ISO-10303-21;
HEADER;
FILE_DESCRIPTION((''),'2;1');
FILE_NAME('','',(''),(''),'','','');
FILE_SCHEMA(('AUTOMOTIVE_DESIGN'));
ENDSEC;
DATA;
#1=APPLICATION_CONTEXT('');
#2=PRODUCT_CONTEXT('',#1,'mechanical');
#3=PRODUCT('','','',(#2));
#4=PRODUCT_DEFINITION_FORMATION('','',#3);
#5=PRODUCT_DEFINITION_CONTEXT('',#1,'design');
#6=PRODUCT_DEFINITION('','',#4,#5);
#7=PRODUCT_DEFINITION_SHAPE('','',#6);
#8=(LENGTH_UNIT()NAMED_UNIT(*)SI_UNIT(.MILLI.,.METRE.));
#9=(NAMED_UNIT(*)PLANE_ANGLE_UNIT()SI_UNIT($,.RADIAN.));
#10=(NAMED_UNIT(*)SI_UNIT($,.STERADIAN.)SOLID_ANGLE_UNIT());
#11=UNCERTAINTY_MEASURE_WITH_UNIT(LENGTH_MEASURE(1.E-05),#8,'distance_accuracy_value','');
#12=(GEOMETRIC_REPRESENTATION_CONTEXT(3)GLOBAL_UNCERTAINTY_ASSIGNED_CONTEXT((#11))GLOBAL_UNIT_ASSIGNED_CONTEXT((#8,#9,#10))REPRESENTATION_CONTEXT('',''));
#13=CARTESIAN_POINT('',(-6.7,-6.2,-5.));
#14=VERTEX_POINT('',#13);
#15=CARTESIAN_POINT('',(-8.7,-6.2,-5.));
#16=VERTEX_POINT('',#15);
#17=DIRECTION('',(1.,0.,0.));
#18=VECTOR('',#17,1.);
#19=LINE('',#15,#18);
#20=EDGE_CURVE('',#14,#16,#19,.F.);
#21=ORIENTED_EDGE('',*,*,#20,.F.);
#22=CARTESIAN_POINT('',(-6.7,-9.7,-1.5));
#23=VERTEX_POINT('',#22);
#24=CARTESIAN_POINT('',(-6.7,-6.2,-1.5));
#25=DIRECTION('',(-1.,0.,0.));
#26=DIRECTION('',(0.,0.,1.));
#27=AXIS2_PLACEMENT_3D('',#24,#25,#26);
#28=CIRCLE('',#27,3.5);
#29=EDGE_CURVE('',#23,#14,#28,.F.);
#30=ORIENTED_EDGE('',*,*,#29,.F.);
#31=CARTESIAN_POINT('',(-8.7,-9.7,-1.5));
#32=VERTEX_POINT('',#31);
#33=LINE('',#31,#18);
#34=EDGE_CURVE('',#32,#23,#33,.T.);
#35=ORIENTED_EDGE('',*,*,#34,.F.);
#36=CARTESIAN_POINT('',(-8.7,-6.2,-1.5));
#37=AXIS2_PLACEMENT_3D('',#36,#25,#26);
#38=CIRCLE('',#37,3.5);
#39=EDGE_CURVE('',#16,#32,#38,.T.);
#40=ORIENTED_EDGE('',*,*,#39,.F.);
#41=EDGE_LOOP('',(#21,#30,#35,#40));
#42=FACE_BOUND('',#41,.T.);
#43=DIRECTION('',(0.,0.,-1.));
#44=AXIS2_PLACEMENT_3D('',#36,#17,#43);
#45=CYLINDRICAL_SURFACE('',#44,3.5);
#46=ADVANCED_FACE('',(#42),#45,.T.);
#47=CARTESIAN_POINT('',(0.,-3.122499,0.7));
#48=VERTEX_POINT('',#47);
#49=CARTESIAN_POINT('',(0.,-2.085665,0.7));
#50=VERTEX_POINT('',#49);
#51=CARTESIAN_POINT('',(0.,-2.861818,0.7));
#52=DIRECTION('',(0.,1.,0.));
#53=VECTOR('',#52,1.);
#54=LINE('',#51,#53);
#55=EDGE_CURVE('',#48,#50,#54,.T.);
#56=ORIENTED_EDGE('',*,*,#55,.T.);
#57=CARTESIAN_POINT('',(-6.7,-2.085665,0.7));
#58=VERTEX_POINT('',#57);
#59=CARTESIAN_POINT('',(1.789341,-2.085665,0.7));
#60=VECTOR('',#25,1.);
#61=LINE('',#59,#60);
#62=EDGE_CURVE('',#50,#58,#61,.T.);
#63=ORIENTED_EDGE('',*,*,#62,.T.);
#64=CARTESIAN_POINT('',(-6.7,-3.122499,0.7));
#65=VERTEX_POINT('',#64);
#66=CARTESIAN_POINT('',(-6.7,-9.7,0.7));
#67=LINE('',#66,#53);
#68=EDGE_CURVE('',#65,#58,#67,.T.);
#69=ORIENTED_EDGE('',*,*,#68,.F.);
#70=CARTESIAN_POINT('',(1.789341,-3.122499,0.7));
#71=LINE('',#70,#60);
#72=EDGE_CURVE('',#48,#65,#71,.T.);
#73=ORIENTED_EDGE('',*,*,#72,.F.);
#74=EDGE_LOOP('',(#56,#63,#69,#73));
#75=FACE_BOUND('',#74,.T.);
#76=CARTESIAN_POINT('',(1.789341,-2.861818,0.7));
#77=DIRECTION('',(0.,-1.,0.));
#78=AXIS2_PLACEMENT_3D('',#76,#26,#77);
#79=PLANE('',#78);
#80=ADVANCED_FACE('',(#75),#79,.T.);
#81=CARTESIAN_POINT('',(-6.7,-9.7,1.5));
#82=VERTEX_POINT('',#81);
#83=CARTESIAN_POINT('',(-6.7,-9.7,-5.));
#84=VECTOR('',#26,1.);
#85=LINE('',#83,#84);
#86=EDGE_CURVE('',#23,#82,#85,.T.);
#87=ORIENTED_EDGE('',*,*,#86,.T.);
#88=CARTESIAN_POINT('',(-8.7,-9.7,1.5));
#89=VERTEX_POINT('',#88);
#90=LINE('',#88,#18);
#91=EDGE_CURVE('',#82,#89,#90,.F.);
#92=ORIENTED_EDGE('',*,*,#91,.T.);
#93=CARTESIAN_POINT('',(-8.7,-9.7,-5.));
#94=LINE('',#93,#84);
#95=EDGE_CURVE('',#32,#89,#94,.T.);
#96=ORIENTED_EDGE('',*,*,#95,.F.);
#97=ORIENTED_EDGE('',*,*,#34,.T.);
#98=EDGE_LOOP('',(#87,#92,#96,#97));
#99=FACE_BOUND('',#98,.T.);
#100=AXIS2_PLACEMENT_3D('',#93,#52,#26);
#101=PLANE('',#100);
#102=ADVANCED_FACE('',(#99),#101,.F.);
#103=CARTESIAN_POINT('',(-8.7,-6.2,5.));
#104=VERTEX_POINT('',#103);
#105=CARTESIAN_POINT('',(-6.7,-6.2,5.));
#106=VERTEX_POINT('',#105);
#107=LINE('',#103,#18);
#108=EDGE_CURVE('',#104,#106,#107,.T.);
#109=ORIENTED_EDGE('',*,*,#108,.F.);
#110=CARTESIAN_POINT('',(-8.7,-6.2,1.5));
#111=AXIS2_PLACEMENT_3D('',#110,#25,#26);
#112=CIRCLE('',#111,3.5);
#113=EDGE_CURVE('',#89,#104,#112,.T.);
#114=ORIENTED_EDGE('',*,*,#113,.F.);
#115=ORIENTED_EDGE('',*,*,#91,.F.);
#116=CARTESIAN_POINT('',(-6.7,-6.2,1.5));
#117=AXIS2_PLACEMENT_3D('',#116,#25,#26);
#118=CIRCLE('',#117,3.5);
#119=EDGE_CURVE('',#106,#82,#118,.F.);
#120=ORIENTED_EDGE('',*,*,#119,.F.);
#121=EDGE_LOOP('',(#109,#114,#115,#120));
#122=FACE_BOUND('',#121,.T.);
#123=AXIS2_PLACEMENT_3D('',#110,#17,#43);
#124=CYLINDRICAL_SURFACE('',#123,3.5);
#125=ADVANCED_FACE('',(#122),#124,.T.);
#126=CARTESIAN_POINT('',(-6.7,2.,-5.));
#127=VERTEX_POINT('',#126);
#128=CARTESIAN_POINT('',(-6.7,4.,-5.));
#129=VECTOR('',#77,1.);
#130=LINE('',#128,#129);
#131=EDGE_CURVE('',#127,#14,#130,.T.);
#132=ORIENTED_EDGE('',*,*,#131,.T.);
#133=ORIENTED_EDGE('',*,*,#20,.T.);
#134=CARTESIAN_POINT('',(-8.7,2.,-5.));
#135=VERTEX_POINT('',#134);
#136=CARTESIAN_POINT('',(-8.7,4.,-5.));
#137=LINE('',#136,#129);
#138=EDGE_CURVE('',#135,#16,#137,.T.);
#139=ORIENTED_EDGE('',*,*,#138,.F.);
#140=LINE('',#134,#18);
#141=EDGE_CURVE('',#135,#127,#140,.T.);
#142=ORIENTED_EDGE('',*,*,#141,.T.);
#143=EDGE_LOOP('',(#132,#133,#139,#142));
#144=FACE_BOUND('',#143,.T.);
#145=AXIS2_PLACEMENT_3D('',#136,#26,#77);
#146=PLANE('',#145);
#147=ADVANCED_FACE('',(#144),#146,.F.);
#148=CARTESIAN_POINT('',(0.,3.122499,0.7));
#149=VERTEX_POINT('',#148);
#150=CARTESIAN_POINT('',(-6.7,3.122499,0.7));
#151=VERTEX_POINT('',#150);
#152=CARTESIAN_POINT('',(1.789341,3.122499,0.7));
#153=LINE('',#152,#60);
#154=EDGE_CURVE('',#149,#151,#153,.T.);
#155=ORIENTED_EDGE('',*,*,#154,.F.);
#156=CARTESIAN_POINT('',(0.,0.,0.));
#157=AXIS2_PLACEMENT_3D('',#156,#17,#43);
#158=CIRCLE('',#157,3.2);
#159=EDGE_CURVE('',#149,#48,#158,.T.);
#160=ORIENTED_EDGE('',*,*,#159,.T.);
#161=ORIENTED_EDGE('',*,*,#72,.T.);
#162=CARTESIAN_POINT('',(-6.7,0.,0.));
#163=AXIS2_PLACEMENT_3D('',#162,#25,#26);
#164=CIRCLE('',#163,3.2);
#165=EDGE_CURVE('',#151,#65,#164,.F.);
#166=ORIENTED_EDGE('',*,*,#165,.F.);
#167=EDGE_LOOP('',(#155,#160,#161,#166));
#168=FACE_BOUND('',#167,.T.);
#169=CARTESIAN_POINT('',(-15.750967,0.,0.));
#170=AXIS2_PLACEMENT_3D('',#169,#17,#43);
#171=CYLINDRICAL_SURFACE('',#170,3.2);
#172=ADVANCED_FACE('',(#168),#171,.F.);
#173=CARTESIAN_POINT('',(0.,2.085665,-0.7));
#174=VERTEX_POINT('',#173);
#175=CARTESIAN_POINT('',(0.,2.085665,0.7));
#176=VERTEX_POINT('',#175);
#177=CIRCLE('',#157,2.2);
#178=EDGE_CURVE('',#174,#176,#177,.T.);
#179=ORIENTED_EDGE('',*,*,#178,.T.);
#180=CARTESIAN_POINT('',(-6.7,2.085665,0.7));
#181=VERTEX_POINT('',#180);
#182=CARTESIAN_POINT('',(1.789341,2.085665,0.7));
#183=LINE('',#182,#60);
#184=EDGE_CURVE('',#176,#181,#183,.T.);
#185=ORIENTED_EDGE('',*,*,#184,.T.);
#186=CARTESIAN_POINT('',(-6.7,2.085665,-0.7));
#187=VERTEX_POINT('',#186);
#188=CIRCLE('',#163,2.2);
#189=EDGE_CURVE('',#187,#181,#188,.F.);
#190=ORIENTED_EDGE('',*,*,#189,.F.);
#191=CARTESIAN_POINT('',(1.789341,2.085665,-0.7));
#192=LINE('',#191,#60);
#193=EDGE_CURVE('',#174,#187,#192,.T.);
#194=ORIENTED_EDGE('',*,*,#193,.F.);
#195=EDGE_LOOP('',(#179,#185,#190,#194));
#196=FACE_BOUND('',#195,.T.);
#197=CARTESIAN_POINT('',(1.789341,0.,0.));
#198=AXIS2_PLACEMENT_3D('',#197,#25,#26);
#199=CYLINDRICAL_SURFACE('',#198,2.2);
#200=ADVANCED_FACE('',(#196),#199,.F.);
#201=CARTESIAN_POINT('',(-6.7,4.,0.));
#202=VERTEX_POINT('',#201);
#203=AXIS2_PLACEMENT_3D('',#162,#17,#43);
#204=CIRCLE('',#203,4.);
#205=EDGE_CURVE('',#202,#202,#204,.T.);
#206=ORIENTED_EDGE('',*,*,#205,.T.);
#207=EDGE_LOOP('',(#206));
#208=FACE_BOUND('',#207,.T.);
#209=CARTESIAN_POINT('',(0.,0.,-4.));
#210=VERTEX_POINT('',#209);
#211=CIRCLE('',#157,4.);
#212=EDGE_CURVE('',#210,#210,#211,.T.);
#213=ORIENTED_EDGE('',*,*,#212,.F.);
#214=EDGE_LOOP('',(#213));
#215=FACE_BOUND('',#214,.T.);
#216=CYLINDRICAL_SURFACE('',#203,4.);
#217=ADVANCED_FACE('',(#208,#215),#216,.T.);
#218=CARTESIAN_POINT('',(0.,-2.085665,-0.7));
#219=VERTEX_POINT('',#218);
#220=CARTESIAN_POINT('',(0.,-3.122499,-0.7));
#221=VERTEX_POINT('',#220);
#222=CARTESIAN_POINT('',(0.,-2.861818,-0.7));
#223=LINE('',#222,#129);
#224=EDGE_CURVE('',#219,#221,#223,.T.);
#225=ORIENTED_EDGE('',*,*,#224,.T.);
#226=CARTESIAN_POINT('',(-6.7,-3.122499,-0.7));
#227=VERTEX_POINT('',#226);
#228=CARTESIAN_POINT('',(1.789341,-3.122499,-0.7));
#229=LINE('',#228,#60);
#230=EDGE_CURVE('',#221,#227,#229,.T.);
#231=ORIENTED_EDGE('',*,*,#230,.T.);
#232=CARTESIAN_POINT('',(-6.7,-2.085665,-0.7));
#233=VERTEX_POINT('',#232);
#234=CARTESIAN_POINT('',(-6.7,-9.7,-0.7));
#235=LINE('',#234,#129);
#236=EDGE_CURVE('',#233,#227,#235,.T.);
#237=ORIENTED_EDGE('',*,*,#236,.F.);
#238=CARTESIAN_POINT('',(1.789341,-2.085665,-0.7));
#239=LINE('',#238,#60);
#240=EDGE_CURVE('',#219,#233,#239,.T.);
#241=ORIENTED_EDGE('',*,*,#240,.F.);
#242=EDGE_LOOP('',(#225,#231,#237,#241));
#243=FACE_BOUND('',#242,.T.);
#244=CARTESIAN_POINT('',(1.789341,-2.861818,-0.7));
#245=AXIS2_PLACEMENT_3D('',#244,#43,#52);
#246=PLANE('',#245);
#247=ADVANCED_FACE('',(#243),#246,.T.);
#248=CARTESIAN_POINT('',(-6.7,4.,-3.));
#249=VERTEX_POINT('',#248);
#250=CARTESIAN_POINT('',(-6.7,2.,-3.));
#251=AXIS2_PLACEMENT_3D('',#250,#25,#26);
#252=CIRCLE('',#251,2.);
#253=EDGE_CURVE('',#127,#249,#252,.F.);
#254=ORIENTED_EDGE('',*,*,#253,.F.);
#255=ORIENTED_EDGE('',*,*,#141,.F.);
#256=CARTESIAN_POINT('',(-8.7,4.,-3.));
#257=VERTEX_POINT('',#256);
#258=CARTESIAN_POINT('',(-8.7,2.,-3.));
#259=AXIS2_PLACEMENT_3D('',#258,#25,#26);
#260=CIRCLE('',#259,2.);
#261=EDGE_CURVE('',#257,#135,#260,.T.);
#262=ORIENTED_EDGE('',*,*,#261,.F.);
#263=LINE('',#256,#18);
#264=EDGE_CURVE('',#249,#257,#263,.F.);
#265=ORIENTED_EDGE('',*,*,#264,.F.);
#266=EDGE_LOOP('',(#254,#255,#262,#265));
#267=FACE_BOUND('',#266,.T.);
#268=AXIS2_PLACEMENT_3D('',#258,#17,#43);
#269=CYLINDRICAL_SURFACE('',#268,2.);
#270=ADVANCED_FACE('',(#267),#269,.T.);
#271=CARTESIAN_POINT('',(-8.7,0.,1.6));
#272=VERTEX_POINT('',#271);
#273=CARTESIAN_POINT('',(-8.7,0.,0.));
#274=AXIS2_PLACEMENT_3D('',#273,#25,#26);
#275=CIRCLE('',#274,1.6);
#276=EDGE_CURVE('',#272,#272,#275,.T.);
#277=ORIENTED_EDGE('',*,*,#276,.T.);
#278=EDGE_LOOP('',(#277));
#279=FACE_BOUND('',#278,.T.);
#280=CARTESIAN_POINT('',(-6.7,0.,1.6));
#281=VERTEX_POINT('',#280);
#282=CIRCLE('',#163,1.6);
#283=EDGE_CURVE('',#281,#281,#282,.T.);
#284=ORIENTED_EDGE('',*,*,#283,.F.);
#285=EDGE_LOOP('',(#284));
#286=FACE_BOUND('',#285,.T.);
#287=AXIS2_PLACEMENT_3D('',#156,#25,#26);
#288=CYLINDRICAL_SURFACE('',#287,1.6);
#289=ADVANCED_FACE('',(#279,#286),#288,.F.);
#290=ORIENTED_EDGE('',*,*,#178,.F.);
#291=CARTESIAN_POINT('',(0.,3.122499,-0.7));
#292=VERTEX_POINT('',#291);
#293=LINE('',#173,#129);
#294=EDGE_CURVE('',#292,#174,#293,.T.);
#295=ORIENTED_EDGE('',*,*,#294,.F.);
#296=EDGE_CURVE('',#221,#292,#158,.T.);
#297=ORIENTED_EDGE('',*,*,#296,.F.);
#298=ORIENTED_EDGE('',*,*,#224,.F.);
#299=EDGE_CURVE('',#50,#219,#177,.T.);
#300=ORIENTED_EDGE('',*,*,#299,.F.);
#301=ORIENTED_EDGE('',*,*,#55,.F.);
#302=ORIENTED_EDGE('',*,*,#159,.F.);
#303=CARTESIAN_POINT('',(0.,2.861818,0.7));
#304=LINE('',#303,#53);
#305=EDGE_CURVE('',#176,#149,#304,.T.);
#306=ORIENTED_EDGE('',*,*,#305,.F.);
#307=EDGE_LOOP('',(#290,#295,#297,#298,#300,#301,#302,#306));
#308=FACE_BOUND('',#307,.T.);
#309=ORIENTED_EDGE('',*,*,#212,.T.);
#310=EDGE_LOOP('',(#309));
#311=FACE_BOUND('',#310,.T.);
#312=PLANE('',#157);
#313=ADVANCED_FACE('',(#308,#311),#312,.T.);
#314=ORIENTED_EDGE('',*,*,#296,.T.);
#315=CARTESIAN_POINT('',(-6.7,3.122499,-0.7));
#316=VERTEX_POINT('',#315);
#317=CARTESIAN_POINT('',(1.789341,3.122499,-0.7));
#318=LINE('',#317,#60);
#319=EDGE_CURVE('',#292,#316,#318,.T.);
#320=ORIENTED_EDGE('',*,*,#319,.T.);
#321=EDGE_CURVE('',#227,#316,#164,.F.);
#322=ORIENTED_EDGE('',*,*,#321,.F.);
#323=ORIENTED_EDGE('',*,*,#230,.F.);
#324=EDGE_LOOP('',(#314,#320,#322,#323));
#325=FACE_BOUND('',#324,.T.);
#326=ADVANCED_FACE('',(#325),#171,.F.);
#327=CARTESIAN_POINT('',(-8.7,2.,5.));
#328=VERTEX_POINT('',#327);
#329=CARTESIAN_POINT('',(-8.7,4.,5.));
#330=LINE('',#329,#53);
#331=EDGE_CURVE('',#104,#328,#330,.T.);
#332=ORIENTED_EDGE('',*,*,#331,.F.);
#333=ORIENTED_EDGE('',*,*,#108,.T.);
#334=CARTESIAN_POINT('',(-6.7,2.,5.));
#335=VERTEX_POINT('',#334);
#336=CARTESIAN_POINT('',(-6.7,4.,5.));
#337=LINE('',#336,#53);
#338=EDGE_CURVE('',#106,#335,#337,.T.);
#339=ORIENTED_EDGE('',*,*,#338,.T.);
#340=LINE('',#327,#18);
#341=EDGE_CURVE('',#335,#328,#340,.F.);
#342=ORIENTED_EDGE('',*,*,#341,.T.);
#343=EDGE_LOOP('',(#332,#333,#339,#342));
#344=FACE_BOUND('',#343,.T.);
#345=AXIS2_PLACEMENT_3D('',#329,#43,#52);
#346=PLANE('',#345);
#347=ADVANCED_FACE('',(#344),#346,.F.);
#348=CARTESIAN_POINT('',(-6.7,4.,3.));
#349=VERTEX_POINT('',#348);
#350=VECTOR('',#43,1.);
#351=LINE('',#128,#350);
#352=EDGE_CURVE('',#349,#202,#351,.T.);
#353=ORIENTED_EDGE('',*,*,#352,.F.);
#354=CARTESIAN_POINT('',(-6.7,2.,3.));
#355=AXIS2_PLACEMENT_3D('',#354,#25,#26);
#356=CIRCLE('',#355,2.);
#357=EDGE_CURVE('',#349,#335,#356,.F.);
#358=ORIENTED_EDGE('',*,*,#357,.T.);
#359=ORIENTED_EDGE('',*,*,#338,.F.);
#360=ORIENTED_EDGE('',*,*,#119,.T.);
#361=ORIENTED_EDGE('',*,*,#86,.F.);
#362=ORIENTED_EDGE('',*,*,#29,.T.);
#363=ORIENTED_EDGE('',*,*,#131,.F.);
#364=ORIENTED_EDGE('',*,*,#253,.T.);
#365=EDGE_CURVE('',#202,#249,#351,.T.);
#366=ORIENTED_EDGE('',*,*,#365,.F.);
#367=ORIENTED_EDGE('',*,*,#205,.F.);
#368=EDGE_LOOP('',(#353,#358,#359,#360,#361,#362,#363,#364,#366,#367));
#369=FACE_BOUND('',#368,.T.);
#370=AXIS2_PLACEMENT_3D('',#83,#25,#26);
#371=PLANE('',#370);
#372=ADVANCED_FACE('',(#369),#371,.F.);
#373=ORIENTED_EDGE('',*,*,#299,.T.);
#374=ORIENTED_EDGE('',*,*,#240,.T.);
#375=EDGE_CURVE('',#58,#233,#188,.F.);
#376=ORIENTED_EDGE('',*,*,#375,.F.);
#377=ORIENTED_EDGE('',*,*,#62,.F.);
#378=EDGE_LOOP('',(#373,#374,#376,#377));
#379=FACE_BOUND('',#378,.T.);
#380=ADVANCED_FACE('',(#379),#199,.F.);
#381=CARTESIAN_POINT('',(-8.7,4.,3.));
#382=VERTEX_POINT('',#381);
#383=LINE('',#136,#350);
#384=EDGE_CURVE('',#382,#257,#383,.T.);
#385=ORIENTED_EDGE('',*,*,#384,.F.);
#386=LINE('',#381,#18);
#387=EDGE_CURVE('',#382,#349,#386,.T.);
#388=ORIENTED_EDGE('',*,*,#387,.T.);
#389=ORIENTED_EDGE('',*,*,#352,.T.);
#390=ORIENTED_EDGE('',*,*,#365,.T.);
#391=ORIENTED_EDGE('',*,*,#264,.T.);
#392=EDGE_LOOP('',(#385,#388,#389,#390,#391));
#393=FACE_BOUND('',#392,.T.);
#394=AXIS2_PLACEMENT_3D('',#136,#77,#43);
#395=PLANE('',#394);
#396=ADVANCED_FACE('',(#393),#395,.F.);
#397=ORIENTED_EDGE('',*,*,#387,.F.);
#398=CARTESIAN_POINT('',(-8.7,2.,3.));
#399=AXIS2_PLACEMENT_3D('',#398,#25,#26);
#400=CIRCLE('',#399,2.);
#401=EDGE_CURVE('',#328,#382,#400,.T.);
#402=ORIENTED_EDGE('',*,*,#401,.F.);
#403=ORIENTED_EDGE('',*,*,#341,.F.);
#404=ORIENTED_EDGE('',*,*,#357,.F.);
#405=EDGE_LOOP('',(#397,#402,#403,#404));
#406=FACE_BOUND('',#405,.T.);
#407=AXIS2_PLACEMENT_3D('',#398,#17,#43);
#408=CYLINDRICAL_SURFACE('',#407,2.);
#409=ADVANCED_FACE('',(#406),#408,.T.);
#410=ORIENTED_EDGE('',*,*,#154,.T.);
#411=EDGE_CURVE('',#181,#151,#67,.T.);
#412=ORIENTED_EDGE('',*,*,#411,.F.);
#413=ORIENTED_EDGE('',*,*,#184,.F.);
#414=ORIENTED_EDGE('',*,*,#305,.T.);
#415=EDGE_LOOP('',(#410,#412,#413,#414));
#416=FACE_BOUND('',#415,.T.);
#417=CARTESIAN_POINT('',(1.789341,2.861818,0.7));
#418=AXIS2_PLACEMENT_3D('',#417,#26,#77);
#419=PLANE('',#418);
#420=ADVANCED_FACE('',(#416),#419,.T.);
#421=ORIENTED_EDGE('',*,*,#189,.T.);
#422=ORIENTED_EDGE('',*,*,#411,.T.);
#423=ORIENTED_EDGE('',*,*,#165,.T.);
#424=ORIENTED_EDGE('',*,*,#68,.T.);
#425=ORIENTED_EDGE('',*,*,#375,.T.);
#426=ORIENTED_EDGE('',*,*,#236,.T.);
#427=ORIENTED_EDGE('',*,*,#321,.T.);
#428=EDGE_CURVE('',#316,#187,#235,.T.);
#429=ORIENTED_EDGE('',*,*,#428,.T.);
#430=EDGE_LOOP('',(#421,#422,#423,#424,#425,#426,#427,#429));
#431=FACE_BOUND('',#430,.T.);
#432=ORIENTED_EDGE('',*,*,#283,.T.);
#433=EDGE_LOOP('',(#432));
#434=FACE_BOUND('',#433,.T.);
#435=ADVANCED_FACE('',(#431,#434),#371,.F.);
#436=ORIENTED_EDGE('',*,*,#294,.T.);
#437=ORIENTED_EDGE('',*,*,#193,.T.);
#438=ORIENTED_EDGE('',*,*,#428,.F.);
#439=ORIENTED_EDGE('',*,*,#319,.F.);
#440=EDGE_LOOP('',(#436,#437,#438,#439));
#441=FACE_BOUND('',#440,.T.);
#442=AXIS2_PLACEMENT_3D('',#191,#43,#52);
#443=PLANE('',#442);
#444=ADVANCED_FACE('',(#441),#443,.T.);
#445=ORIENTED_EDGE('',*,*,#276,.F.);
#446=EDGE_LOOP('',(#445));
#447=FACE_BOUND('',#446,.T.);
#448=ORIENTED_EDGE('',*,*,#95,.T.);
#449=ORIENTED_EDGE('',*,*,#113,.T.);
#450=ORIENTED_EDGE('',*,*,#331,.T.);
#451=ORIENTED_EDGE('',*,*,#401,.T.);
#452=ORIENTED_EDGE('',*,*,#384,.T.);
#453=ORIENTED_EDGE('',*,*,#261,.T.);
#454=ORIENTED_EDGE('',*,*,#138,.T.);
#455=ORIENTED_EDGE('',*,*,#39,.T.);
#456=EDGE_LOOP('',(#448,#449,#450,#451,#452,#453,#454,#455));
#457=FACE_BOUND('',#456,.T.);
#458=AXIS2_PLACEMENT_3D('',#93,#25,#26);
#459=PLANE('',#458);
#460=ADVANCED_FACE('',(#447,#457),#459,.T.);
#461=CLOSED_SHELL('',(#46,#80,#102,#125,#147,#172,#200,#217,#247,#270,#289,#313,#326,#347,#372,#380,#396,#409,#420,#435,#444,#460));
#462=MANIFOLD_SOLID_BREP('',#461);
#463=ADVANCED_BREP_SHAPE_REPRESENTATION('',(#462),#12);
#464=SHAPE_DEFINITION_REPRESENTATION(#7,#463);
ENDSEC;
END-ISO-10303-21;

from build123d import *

# Parameters (mm, degrees)
SKETCH2_R           = 4
BOSS_EXTRUDE1_DEPTH = 6.7
SKETCH3_W           = 10
SKETCH3_H           = 13.7
BOSS_EXTRUDE2_DEPTH = 2
SKETCH4_R           = 3.2
CUT_EXTRUDE1_DEPTH  = 6.7
SKETCH7_R           = 1.6
CUT_EXTRUDE4_DEPTH  = 14.956360557
BOSS_EXTRUDE3_START = -8.7
BOSS_EXTRUDE3_DEPTH = 8.7
FILLET2_R           = 2
FILLET3_R           = 3.5


with BuildPart() as part:
    # Sketch2 → Boss-Extrude1 (new body)
    with BuildSketch(Plane(origin=(0, 0, 0), x_dir=(0, 0, -1), z_dir=(1, 0, 0))):
        Circle(SKETCH2_R)
    extrude(amount=-BOSS_EXTRUDE1_DEPTH)

    # Sketch3 → Boss-Extrude2 (add)
    with BuildSketch(Plane.ZY.offset(6.7)):
        with Locations((0, -2.85)):
            Rectangle(SKETCH3_W, SKETCH3_H)
    extrude(amount=BOSS_EXTRUDE2_DEPTH)

    # Sketch4 → Cut-Extrude1 (cut)
    with BuildSketch(Plane(origin=(0, 0, 0), x_dir=(0, 0, -1), z_dir=(1, 0, 0))):
        Circle(SKETCH4_R)
    extrude(amount=-CUT_EXTRUDE1_DEPTH, mode=Mode.SUBTRACT)

    # Sketch7 → Cut-Extrude4 (cut, through all)
    with BuildSketch(Plane.ZY.offset(8.7)):
        Circle(SKETCH7_R)
    extrude(amount=-CUT_EXTRUDE4_DEPTH, mode=Mode.SUBTRACT)

    # Sketch6 → Boss-Extrude3 (add)
    with BuildSketch(Plane.ZY.offset(8.7).offset(BOSS_EXTRUDE3_START)):
        with BuildLine():
            Line((0.7, -2.861817604), (0.7, -2.085665361))
            ThreePointArc((0.7, -2.085665361), (0, -2.2), (-0.7, -2.085665361))
            Line((-0.7, -2.085665361), (-0.7, -2.861817604))
            Line((-0.7, -2.861817604), (-0.7, -3.122498999))
            ThreePointArc((-0.7, -3.122498999), (0, -3.2), (0.7, -3.122498999))
            Line((0.7, -3.122498999), (0.7, -2.861817604))
        make_face()
        with BuildLine():
            Line((-0.7, 2.085665361), (-0.7, 2.861817604))
            Line((-0.7, 2.861817604), (-0.7, 3.122498999))
            ThreePointArc((-0.7, 3.122498999), (0, 3.2), (0.7, 3.122498999))
            Line((0.7, 3.122498999), (0.7, 2.861817604))
            Line((0.7, 2.861817604), (0.7, 2.085665361))
            ThreePointArc((0.7, 2.085665361), (0, 2.2), (-0.7, 2.085665361))
        make_face()
    extrude(amount=BOSS_EXTRUDE3_DEPTH)

    # Fillet2
    fillet2_edges = [part.edges().sort_by_distance(p)[0] for p in [
        (-7.7, 4, -5),
        (-7.7, 4, 5),
    ]]
    fillet(fillet2_edges, radius=FILLET2_R)

    # Fillet3
    fillet3_edges = [part.edges().sort_by_distance(p)[0] for p in [
        (-7.7, -9.7, -5),
        (-7.7, -9.7, 5),
    ]]
    fillet(fillet3_edges, radius=FILLET3_R)


solid = part.part
